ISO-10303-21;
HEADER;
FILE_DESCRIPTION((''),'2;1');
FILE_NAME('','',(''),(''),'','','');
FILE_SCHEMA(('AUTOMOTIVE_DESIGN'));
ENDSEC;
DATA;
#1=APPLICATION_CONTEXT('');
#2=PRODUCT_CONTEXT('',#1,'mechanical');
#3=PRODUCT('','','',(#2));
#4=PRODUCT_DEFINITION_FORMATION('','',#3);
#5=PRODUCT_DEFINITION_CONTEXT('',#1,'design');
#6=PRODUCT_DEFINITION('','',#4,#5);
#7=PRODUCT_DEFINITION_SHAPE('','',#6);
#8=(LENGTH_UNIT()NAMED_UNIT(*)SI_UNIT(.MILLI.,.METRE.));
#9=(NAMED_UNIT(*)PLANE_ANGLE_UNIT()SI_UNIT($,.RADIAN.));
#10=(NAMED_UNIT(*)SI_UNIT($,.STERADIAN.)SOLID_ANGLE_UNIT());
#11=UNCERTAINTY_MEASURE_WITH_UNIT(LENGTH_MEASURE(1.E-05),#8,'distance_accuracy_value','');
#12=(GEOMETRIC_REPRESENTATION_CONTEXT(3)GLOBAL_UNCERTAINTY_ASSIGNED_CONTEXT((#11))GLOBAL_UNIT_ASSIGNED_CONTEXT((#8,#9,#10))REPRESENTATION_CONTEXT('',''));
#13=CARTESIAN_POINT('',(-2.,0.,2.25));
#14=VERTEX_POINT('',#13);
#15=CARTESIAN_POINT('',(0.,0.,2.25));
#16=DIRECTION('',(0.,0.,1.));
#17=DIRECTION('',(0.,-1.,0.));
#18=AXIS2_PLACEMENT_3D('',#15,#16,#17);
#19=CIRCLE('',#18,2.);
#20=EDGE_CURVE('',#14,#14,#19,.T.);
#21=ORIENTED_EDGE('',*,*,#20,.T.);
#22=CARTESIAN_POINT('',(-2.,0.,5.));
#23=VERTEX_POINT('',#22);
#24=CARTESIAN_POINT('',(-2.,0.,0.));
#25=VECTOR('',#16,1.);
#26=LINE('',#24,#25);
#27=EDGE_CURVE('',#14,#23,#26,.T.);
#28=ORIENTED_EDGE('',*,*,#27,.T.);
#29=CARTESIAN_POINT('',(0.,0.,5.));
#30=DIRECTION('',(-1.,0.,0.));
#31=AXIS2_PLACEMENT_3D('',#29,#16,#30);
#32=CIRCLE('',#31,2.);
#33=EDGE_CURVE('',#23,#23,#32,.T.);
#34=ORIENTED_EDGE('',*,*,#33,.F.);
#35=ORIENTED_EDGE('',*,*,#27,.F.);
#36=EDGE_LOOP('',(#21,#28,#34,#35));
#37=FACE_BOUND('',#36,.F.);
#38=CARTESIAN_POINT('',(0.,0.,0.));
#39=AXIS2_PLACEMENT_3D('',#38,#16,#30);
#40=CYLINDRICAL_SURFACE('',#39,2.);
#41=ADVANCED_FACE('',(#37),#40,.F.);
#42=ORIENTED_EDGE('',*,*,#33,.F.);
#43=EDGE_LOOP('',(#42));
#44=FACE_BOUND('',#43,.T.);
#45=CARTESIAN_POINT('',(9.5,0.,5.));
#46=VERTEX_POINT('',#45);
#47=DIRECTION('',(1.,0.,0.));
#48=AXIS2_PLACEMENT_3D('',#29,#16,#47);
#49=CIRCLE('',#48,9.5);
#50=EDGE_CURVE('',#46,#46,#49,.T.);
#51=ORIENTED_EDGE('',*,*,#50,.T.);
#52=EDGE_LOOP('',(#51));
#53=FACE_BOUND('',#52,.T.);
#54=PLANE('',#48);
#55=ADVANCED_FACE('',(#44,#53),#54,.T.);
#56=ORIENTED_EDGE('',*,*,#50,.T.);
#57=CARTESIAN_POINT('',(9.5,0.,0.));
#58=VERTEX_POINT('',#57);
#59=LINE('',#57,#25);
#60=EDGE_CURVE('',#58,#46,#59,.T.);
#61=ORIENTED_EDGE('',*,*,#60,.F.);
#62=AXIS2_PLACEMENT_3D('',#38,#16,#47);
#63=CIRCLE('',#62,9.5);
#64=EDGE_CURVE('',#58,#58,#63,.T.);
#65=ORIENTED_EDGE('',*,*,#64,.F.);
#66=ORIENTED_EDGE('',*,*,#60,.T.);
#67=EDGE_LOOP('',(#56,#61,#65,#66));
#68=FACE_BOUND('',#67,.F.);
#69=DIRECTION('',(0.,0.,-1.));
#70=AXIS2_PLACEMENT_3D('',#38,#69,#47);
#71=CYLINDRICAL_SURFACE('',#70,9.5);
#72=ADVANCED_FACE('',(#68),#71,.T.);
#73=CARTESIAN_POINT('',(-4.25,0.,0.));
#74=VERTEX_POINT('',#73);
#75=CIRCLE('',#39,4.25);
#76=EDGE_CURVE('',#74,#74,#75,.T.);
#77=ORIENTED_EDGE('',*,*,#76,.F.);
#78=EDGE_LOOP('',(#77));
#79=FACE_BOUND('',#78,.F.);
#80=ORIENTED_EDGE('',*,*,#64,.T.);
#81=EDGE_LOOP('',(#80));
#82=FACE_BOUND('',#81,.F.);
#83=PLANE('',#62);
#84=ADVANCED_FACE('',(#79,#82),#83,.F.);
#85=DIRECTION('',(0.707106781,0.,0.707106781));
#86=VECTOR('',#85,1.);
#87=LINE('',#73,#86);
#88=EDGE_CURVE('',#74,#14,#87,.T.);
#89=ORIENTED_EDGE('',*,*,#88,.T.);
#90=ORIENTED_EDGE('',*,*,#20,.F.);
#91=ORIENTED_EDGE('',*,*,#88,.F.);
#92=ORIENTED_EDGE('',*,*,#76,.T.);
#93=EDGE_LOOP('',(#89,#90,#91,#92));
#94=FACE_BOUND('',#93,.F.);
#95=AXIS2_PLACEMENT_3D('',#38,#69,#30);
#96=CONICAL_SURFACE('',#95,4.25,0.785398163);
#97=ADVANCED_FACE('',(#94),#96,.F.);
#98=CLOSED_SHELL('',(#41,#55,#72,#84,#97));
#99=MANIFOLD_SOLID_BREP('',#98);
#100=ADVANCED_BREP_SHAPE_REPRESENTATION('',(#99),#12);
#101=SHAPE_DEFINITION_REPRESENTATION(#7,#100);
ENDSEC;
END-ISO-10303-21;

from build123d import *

# Parameters (mm, degrees)
F0_R           = 9.5
F1_DEPTH       = 5
F3_D           = 4
F3_DEPTH       = 5
F3_CSINK_D     = 8.5
F3_CSINK_ANGLE = 90


with BuildPart() as f1:
    # F0 (on Top) → F1 (new body)
    with BuildSketch(Plane.XY):
        Circle(F0_R)
    extrude(amount=F1_DEPTH)

    # F3
    with Locations(Plane(origin=(0, 0, 0), x_dir=(1, 0, 0), z_dir=(0, 0, -1))):
        with Locations((0, 0)):
            CounterSinkHole(F3_D / 2, F3_CSINK_D / 2, depth=F3_DEPTH, counter_sink_angle=F3_CSINK_ANGLE)


solid = f1.part
